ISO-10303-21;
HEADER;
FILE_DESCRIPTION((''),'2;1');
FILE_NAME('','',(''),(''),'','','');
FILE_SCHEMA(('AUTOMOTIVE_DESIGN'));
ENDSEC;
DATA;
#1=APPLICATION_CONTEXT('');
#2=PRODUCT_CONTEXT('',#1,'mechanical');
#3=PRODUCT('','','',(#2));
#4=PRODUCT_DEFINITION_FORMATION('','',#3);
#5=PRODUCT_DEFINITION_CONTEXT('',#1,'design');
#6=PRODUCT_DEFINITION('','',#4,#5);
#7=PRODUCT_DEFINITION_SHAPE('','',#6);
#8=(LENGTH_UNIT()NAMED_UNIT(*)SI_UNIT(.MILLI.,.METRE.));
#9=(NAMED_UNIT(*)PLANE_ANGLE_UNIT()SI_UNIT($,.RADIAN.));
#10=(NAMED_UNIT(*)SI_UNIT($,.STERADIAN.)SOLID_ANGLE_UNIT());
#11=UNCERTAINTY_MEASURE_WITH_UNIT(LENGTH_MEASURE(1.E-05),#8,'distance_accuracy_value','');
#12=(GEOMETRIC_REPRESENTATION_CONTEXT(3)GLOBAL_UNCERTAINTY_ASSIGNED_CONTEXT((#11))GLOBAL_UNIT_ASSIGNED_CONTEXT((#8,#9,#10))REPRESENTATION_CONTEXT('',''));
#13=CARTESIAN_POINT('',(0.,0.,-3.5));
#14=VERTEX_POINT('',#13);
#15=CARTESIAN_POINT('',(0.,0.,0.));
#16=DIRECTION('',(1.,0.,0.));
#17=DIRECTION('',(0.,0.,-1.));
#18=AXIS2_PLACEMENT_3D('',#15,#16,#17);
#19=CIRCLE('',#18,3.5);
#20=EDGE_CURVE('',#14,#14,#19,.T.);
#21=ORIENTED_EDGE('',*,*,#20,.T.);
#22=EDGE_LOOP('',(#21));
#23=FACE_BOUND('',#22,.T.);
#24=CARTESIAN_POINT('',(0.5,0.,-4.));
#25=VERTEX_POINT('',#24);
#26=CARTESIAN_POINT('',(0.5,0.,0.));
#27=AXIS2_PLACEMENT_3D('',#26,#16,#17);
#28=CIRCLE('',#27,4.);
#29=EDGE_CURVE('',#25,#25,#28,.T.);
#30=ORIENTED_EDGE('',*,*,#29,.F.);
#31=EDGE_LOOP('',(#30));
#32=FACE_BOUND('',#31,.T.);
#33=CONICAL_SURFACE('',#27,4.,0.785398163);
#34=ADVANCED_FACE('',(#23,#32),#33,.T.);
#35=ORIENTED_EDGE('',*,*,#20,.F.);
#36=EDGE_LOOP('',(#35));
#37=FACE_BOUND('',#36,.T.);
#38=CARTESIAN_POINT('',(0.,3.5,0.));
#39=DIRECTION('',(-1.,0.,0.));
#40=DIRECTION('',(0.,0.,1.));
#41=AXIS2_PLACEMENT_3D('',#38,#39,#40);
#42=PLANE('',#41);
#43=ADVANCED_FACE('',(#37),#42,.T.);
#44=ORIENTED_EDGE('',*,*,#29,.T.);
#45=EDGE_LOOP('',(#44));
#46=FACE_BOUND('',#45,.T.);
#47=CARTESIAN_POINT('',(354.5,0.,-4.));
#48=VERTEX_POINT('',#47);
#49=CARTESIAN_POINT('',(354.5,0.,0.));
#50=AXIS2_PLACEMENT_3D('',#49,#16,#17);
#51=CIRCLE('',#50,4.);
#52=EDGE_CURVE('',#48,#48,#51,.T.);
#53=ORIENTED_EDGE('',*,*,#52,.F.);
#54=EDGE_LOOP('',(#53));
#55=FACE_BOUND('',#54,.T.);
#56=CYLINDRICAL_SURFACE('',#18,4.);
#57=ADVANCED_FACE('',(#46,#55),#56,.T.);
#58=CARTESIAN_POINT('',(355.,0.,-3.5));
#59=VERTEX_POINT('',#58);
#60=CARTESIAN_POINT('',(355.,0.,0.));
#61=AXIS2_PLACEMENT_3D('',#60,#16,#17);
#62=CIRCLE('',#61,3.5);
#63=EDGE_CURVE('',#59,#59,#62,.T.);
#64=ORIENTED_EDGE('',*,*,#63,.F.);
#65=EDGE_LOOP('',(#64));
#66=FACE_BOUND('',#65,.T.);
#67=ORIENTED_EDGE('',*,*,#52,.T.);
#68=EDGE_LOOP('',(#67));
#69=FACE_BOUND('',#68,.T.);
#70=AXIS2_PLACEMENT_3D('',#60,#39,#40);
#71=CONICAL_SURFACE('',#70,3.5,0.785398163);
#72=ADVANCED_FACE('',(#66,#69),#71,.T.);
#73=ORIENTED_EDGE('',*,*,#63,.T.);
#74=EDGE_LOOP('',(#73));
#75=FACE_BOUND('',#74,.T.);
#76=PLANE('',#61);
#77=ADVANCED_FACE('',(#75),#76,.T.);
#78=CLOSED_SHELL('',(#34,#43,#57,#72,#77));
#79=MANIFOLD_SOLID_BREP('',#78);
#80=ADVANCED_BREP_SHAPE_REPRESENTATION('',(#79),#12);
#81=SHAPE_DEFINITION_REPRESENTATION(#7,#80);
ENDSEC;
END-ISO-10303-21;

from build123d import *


with BuildPart() as part:
    # Sketch1 → Revolve1 (revolve)
    with BuildSketch(Plane.XY, mode=Mode.PRIVATE) as revolve1_sk:
        Polygon((0, 3.5), (0, 0), (355, 0), (355, 3.5), (354.5, 4), (0.5, 4), align=None)
    revolve(revolve1_sk.sketch.rotate(Axis((0, 0, 0), (1, 0, 0)), 270), axis=Axis((0, 0, 0), (1, 0, 0)))


solid = part.part
